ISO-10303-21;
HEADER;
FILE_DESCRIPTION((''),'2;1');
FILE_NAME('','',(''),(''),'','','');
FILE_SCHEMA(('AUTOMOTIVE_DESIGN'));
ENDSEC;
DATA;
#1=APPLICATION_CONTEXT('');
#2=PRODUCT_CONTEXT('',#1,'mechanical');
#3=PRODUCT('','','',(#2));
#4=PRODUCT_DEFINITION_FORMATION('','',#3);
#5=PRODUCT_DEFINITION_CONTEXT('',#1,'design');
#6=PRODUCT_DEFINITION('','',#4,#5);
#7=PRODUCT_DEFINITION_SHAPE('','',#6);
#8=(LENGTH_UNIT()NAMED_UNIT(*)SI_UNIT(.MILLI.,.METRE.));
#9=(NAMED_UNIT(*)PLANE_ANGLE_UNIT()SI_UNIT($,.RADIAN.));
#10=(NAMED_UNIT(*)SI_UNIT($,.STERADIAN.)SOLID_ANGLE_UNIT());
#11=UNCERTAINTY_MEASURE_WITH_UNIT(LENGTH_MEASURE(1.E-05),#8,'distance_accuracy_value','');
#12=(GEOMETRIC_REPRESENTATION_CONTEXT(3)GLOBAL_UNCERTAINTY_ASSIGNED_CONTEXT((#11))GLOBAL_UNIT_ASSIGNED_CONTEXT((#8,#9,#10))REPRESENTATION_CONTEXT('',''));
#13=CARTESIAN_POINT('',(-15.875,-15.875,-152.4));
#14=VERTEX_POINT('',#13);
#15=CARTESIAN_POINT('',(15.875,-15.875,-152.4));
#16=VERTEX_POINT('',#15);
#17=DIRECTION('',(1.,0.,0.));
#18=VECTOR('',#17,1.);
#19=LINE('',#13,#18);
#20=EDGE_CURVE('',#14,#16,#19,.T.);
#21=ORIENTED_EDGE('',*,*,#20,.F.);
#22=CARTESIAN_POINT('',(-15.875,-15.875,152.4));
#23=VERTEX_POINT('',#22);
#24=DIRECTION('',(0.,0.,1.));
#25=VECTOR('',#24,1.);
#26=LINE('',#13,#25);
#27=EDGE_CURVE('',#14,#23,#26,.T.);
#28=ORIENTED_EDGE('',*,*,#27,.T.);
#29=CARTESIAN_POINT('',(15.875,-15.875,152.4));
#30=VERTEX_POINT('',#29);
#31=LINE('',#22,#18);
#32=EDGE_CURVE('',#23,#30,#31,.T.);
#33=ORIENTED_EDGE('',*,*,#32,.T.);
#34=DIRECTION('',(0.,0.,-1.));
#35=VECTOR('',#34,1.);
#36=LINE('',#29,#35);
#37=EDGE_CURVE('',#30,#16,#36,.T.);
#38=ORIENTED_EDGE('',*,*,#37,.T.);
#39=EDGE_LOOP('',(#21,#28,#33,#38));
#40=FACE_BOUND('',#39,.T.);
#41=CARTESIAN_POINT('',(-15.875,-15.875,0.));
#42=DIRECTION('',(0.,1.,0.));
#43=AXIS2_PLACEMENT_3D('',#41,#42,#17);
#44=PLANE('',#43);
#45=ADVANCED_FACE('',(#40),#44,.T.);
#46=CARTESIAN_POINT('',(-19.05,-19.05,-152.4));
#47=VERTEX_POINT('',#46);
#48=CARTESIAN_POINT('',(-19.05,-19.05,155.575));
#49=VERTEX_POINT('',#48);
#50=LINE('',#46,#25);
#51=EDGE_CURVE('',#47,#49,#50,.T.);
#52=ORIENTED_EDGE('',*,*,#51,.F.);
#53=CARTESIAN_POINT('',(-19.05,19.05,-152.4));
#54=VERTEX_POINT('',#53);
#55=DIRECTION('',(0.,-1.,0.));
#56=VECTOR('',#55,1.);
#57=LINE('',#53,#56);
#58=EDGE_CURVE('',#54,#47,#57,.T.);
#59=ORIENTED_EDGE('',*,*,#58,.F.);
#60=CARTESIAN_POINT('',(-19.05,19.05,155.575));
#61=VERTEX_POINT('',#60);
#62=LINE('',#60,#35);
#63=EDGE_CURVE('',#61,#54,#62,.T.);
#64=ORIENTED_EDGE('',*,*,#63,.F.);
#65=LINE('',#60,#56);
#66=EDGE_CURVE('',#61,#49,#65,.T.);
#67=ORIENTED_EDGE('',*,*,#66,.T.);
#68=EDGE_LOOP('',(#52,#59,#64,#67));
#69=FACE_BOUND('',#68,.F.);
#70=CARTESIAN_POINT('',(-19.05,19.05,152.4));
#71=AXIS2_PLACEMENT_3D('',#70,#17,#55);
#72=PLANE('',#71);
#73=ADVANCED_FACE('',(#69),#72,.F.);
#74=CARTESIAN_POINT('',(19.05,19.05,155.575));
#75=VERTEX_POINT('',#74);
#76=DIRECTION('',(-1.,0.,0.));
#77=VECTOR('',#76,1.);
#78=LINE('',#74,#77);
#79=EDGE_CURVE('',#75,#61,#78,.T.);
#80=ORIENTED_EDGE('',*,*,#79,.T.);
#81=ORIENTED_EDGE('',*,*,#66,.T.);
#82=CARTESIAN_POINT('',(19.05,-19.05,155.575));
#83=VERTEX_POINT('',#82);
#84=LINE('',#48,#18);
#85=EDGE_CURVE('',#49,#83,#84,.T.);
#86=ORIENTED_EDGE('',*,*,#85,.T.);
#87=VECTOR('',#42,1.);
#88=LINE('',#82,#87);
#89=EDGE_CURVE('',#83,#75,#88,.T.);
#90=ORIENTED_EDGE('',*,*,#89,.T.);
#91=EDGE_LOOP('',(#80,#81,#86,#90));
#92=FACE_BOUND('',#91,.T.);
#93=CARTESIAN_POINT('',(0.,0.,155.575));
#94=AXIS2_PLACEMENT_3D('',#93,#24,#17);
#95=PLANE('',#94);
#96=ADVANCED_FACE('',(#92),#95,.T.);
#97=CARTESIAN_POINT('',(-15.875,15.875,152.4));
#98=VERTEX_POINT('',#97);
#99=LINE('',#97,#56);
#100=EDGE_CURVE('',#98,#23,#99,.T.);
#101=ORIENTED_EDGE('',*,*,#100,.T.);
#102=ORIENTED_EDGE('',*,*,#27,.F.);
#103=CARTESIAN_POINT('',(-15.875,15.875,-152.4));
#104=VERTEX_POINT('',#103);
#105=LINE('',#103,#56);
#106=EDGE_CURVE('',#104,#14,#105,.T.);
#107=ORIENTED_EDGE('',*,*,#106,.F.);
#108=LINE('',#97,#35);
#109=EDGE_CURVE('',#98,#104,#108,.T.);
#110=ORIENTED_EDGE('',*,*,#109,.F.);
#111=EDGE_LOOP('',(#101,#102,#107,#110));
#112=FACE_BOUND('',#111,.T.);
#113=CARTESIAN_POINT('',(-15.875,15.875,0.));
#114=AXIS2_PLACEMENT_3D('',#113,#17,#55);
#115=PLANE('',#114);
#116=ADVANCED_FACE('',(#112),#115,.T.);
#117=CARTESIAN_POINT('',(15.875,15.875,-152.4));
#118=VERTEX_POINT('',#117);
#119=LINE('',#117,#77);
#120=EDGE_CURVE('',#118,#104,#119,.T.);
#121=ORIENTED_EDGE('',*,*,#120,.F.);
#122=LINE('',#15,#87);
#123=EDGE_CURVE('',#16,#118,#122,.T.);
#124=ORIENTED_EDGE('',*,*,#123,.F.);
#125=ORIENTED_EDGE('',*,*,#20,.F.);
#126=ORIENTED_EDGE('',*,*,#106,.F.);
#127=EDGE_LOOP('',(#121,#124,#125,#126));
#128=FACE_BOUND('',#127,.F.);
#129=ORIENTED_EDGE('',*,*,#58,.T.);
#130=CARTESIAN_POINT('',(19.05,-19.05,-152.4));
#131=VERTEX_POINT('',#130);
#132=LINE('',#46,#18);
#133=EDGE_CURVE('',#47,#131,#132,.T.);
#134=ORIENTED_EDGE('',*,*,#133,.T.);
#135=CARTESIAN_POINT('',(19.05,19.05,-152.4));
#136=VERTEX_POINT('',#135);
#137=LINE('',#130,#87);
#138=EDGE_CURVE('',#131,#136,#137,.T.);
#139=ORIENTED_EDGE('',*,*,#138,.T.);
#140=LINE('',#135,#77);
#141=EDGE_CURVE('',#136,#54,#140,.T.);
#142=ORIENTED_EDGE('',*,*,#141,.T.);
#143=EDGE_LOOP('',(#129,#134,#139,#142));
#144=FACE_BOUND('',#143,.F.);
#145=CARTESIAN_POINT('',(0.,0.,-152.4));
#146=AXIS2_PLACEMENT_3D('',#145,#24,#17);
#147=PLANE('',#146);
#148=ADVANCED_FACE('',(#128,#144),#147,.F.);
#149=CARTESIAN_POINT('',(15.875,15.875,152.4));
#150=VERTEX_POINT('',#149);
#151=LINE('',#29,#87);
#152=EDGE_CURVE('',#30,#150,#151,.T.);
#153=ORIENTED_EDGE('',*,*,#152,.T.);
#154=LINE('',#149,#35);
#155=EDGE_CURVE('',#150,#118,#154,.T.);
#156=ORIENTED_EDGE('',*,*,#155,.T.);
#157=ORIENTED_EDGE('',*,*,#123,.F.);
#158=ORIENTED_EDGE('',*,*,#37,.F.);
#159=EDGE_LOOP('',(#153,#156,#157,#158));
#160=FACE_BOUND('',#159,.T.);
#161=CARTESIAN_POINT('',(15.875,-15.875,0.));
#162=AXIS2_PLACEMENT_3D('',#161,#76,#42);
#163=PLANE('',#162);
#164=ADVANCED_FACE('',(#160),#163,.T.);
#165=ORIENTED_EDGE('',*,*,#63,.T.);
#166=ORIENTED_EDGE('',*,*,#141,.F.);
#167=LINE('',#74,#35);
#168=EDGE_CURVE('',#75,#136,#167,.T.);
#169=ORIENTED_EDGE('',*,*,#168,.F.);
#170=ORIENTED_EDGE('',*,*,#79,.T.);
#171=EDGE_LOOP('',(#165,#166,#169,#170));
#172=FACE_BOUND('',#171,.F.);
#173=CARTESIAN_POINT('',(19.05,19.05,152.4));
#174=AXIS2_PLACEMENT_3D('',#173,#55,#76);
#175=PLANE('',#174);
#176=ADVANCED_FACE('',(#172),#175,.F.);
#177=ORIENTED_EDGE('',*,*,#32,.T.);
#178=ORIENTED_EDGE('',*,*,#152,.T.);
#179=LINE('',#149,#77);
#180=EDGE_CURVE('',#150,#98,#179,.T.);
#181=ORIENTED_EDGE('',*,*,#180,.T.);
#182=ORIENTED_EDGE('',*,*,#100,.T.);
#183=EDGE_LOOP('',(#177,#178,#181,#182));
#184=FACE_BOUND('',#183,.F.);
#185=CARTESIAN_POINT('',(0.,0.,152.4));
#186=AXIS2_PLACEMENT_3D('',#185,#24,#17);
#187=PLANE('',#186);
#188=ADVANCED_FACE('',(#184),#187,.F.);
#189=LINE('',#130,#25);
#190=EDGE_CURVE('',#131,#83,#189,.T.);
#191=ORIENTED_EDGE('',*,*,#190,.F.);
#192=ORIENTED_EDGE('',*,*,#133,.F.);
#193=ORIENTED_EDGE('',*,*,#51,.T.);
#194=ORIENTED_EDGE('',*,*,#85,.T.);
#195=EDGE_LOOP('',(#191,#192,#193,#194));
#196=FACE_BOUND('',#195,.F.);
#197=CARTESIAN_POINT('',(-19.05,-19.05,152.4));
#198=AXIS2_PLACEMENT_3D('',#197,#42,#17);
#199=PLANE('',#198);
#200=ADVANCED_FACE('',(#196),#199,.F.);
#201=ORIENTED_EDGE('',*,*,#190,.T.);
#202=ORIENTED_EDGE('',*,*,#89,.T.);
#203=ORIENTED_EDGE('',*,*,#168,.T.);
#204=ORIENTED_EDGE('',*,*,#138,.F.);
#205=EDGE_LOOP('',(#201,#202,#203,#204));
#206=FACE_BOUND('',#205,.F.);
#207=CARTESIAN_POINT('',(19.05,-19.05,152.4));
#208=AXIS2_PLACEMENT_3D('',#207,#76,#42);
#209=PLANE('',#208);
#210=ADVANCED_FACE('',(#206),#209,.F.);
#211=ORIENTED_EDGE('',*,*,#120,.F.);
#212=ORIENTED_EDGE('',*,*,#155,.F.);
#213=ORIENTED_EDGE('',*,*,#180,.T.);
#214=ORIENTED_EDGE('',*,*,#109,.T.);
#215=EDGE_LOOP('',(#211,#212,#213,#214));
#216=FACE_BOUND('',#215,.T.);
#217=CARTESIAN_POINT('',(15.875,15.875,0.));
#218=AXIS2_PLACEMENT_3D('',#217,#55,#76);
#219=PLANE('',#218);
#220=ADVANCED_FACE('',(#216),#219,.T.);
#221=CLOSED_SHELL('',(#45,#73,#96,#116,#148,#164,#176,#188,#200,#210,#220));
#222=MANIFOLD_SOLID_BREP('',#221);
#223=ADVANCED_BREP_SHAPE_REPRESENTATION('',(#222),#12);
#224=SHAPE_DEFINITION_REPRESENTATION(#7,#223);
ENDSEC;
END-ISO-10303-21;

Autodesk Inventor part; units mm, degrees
ref_plane "YZ Plane" through (0, 0, 0) normal (1, 0, 0) x (0, 1, 0)
ref_plane "XZ Plane" through (0, 0, 0) normal (0, 1, 0) x (-1, 0, 0)
ref_plane "XY Plane" through (0, 0, 0) normal (0, 0, 1) x (1, 0, 0)
sketch "Sketch1" plane through (0, 0, 0) normal (0, 0, 1) x (1, 0, 0)
  line L0 (-19.05, -19.05) -> (19.05, -19.05)
  line L1 (19.05, -19.05) -> (19.05, 19.05)
  line L2 (19.05, 19.05) -> (-19.05, 19.05)
  line L3 (-19.05, 19.05) -> (-19.05, -19.05)
  line L4 (-19.05, -19.05) -> (19.05, 19.05) construction
  line L5 (19.05, -19.05) -> (-19.05, 19.05) construction
  line L6 (-15.875, -15.875) -> (15.875, -15.875)
  line L7 (15.875, -15.875) -> (15.875, 15.875)
  line L8 (15.875, 15.875) -> (-15.875, 15.875)
  line L9 (-15.875, 15.875) -> (-15.875, -15.875)
  line L10 (-15.875, -15.875) -> (15.875, 15.875) construction
  line L11 (15.875, -15.875) -> (-15.875, 15.875) construction
  point P0 (0, 0)
  dimension "d0" = 38.1
  dimension "d1" = 3.175
extrude "Extrusion1" add sketch "Sketch1" along normal mid plane 304.8
sketch "Sketch3" plane through (0, 0, 152.4) normal (0, 0, 1) x (1, 0, 0)
  line L0 (-19.05, -19.05) -> (19.05, -19.05)
  line L1 (19.05, -19.05) -> (19.05, 19.05)
  line L2 (19.05, 19.05) -> (-19.05, 19.05)
  line L3 (-19.05, 19.05) -> (-19.05, -19.05)
  line L4 (-19.05, -19.05) -> (19.05, 19.05) construction
  line L5 (19.05, -19.05) -> (-19.05, 19.05) construction
  point P0 (0, 0)
extrude "Extrusion2" add sketch "Sketch3" along normal blind 3.175
properties part number "LinearExample"
